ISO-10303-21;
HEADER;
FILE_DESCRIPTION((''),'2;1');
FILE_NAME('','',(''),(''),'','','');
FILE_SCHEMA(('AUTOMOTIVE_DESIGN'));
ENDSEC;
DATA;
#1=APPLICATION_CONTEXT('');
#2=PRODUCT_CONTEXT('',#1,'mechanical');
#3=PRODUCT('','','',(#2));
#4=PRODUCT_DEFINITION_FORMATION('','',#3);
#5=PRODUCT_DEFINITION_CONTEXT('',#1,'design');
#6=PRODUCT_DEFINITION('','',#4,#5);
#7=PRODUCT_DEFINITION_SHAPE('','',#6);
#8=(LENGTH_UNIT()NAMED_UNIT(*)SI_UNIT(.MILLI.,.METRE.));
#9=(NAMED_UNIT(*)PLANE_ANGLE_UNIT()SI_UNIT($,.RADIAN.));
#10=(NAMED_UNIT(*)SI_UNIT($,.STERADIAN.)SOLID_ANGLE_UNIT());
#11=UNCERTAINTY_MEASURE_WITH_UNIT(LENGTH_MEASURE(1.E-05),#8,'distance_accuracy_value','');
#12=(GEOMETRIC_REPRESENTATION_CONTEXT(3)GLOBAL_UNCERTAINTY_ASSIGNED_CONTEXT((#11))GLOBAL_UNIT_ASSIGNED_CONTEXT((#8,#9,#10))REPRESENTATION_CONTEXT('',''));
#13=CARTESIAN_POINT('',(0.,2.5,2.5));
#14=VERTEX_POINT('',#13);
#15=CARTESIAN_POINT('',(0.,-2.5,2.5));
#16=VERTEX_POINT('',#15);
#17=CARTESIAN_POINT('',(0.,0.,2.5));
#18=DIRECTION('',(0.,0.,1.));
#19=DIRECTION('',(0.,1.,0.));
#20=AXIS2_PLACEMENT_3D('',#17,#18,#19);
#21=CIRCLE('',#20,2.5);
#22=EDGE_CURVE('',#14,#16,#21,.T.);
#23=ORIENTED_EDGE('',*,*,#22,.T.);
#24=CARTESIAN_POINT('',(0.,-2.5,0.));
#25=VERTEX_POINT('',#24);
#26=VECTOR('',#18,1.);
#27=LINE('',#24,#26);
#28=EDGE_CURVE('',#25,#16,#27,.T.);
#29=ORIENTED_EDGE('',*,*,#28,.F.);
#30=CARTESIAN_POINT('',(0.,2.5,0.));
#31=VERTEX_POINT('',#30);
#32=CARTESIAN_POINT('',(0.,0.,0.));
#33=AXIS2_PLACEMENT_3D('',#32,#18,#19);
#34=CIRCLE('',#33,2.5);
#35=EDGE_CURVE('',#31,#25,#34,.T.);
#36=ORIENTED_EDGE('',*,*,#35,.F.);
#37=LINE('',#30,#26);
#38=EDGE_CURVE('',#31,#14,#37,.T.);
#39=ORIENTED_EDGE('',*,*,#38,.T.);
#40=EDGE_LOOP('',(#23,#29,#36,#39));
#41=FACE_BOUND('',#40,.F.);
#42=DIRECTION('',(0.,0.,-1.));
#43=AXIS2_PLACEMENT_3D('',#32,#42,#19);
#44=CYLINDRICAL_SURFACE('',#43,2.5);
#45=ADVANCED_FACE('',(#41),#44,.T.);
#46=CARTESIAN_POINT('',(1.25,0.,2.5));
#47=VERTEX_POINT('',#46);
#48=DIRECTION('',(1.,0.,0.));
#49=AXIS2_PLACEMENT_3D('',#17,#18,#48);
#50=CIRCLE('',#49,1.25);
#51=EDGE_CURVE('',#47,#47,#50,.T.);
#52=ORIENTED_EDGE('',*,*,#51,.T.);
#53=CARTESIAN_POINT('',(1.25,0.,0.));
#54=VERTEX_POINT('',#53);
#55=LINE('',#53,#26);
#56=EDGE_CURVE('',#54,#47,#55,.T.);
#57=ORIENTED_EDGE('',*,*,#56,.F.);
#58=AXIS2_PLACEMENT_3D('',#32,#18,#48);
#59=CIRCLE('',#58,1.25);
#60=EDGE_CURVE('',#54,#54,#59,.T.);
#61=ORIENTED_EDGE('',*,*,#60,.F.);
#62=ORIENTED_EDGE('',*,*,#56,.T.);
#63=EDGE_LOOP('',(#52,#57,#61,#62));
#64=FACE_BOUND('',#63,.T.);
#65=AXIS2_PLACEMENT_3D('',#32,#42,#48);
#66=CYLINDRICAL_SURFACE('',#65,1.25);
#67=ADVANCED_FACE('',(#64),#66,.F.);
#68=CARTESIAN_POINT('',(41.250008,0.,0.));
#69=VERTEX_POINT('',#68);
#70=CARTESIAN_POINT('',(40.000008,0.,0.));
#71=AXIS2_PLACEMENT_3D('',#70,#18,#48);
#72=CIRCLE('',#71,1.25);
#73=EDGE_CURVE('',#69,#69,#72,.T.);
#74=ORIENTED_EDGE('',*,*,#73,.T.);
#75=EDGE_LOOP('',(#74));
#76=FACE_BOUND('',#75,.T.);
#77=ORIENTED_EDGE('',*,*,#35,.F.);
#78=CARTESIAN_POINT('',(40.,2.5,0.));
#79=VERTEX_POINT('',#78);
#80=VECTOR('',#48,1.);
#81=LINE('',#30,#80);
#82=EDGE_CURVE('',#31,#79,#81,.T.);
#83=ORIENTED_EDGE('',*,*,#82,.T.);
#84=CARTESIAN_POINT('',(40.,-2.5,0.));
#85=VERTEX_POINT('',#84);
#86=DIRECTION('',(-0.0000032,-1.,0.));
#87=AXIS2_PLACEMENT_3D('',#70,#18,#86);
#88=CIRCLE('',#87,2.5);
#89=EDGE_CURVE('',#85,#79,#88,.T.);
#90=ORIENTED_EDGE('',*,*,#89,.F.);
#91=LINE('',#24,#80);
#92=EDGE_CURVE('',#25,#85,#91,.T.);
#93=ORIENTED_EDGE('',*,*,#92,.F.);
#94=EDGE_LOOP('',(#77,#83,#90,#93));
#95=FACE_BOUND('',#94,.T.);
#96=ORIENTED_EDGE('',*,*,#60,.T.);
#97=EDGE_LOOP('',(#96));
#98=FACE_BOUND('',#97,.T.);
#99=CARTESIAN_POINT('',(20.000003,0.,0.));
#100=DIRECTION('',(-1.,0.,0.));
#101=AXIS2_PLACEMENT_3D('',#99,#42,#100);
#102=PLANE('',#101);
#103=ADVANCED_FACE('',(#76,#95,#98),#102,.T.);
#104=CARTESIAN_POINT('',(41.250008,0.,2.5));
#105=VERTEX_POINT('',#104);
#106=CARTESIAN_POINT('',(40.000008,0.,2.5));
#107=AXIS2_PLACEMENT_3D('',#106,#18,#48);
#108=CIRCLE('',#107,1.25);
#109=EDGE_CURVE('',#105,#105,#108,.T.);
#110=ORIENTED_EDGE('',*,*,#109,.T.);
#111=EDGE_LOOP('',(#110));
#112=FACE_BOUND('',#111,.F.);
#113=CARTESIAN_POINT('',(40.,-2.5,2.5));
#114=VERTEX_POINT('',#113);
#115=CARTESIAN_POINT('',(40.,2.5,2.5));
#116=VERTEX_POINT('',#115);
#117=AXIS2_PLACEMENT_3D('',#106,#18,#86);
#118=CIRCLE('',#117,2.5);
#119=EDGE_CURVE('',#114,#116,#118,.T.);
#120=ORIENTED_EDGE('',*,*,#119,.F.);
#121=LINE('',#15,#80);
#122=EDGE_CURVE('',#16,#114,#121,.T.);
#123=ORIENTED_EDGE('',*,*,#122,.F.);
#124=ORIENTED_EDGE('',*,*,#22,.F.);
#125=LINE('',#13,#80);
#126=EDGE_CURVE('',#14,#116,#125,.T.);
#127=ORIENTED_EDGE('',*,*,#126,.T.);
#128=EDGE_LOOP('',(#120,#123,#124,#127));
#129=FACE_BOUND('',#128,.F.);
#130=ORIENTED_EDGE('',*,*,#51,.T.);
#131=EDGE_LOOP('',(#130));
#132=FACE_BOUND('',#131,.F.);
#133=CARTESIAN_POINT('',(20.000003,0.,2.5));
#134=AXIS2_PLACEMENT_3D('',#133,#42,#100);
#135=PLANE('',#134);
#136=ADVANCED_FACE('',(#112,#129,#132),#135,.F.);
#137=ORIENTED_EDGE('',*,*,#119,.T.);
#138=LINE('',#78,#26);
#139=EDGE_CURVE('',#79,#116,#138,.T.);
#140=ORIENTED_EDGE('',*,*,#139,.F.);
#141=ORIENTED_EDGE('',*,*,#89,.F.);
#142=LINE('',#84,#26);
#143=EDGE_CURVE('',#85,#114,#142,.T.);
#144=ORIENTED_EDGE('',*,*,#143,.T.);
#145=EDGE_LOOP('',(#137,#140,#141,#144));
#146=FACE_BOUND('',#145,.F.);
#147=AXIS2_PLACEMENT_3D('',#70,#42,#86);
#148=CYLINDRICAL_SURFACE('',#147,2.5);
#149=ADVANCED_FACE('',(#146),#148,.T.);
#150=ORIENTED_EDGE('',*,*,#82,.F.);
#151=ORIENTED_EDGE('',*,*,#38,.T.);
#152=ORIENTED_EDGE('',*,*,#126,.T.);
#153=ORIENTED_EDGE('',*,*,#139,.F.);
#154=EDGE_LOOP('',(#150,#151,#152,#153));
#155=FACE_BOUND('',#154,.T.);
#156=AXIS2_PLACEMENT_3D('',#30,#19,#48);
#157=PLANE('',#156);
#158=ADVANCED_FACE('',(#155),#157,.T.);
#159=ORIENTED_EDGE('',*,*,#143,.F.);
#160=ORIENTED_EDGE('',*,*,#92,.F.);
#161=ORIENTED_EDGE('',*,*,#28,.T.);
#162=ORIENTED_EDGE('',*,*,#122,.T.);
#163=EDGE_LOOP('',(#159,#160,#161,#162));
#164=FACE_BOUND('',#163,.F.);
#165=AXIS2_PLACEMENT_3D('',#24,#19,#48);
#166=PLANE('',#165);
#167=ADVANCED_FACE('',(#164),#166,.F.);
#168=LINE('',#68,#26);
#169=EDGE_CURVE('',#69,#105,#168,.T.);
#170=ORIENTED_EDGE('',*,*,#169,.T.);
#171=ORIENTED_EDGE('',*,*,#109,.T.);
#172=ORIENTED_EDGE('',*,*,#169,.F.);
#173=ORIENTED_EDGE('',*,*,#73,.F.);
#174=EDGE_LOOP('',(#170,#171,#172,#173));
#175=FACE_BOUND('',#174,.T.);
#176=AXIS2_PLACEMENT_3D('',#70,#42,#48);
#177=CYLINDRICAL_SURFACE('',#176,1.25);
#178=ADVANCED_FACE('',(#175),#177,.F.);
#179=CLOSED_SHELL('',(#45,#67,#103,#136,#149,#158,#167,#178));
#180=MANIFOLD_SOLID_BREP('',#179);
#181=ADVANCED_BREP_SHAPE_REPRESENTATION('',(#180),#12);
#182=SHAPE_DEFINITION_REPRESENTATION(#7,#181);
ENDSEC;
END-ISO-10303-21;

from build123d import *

# Parameters (mm, degrees)
SKETCH_R      = 1.25
EXTRUDE_DEPTH = 2.5


with BuildPart() as part:
    # Sketch → Extrude (new body)
    with BuildSketch(Plane.XY):
        with BuildLine():
            Line((0, 2.5), (40, 2.5))
            ThreePointArc((40, -2.5), (42.500008, 0), (40, 2.5))
            Line((0, -2.5), (40, -2.5))
            ThreePointArc((0, 2.5), (-2.5, 0), (0, -2.5))
        make_face()
        Circle(SKETCH_R, mode=Mode.SUBTRACT)
        with Locations((40.000008, 0)):
            Circle(SKETCH_R, mode=Mode.SUBTRACT)
    extrude(amount=EXTRUDE_DEPTH)


solid = part.part
